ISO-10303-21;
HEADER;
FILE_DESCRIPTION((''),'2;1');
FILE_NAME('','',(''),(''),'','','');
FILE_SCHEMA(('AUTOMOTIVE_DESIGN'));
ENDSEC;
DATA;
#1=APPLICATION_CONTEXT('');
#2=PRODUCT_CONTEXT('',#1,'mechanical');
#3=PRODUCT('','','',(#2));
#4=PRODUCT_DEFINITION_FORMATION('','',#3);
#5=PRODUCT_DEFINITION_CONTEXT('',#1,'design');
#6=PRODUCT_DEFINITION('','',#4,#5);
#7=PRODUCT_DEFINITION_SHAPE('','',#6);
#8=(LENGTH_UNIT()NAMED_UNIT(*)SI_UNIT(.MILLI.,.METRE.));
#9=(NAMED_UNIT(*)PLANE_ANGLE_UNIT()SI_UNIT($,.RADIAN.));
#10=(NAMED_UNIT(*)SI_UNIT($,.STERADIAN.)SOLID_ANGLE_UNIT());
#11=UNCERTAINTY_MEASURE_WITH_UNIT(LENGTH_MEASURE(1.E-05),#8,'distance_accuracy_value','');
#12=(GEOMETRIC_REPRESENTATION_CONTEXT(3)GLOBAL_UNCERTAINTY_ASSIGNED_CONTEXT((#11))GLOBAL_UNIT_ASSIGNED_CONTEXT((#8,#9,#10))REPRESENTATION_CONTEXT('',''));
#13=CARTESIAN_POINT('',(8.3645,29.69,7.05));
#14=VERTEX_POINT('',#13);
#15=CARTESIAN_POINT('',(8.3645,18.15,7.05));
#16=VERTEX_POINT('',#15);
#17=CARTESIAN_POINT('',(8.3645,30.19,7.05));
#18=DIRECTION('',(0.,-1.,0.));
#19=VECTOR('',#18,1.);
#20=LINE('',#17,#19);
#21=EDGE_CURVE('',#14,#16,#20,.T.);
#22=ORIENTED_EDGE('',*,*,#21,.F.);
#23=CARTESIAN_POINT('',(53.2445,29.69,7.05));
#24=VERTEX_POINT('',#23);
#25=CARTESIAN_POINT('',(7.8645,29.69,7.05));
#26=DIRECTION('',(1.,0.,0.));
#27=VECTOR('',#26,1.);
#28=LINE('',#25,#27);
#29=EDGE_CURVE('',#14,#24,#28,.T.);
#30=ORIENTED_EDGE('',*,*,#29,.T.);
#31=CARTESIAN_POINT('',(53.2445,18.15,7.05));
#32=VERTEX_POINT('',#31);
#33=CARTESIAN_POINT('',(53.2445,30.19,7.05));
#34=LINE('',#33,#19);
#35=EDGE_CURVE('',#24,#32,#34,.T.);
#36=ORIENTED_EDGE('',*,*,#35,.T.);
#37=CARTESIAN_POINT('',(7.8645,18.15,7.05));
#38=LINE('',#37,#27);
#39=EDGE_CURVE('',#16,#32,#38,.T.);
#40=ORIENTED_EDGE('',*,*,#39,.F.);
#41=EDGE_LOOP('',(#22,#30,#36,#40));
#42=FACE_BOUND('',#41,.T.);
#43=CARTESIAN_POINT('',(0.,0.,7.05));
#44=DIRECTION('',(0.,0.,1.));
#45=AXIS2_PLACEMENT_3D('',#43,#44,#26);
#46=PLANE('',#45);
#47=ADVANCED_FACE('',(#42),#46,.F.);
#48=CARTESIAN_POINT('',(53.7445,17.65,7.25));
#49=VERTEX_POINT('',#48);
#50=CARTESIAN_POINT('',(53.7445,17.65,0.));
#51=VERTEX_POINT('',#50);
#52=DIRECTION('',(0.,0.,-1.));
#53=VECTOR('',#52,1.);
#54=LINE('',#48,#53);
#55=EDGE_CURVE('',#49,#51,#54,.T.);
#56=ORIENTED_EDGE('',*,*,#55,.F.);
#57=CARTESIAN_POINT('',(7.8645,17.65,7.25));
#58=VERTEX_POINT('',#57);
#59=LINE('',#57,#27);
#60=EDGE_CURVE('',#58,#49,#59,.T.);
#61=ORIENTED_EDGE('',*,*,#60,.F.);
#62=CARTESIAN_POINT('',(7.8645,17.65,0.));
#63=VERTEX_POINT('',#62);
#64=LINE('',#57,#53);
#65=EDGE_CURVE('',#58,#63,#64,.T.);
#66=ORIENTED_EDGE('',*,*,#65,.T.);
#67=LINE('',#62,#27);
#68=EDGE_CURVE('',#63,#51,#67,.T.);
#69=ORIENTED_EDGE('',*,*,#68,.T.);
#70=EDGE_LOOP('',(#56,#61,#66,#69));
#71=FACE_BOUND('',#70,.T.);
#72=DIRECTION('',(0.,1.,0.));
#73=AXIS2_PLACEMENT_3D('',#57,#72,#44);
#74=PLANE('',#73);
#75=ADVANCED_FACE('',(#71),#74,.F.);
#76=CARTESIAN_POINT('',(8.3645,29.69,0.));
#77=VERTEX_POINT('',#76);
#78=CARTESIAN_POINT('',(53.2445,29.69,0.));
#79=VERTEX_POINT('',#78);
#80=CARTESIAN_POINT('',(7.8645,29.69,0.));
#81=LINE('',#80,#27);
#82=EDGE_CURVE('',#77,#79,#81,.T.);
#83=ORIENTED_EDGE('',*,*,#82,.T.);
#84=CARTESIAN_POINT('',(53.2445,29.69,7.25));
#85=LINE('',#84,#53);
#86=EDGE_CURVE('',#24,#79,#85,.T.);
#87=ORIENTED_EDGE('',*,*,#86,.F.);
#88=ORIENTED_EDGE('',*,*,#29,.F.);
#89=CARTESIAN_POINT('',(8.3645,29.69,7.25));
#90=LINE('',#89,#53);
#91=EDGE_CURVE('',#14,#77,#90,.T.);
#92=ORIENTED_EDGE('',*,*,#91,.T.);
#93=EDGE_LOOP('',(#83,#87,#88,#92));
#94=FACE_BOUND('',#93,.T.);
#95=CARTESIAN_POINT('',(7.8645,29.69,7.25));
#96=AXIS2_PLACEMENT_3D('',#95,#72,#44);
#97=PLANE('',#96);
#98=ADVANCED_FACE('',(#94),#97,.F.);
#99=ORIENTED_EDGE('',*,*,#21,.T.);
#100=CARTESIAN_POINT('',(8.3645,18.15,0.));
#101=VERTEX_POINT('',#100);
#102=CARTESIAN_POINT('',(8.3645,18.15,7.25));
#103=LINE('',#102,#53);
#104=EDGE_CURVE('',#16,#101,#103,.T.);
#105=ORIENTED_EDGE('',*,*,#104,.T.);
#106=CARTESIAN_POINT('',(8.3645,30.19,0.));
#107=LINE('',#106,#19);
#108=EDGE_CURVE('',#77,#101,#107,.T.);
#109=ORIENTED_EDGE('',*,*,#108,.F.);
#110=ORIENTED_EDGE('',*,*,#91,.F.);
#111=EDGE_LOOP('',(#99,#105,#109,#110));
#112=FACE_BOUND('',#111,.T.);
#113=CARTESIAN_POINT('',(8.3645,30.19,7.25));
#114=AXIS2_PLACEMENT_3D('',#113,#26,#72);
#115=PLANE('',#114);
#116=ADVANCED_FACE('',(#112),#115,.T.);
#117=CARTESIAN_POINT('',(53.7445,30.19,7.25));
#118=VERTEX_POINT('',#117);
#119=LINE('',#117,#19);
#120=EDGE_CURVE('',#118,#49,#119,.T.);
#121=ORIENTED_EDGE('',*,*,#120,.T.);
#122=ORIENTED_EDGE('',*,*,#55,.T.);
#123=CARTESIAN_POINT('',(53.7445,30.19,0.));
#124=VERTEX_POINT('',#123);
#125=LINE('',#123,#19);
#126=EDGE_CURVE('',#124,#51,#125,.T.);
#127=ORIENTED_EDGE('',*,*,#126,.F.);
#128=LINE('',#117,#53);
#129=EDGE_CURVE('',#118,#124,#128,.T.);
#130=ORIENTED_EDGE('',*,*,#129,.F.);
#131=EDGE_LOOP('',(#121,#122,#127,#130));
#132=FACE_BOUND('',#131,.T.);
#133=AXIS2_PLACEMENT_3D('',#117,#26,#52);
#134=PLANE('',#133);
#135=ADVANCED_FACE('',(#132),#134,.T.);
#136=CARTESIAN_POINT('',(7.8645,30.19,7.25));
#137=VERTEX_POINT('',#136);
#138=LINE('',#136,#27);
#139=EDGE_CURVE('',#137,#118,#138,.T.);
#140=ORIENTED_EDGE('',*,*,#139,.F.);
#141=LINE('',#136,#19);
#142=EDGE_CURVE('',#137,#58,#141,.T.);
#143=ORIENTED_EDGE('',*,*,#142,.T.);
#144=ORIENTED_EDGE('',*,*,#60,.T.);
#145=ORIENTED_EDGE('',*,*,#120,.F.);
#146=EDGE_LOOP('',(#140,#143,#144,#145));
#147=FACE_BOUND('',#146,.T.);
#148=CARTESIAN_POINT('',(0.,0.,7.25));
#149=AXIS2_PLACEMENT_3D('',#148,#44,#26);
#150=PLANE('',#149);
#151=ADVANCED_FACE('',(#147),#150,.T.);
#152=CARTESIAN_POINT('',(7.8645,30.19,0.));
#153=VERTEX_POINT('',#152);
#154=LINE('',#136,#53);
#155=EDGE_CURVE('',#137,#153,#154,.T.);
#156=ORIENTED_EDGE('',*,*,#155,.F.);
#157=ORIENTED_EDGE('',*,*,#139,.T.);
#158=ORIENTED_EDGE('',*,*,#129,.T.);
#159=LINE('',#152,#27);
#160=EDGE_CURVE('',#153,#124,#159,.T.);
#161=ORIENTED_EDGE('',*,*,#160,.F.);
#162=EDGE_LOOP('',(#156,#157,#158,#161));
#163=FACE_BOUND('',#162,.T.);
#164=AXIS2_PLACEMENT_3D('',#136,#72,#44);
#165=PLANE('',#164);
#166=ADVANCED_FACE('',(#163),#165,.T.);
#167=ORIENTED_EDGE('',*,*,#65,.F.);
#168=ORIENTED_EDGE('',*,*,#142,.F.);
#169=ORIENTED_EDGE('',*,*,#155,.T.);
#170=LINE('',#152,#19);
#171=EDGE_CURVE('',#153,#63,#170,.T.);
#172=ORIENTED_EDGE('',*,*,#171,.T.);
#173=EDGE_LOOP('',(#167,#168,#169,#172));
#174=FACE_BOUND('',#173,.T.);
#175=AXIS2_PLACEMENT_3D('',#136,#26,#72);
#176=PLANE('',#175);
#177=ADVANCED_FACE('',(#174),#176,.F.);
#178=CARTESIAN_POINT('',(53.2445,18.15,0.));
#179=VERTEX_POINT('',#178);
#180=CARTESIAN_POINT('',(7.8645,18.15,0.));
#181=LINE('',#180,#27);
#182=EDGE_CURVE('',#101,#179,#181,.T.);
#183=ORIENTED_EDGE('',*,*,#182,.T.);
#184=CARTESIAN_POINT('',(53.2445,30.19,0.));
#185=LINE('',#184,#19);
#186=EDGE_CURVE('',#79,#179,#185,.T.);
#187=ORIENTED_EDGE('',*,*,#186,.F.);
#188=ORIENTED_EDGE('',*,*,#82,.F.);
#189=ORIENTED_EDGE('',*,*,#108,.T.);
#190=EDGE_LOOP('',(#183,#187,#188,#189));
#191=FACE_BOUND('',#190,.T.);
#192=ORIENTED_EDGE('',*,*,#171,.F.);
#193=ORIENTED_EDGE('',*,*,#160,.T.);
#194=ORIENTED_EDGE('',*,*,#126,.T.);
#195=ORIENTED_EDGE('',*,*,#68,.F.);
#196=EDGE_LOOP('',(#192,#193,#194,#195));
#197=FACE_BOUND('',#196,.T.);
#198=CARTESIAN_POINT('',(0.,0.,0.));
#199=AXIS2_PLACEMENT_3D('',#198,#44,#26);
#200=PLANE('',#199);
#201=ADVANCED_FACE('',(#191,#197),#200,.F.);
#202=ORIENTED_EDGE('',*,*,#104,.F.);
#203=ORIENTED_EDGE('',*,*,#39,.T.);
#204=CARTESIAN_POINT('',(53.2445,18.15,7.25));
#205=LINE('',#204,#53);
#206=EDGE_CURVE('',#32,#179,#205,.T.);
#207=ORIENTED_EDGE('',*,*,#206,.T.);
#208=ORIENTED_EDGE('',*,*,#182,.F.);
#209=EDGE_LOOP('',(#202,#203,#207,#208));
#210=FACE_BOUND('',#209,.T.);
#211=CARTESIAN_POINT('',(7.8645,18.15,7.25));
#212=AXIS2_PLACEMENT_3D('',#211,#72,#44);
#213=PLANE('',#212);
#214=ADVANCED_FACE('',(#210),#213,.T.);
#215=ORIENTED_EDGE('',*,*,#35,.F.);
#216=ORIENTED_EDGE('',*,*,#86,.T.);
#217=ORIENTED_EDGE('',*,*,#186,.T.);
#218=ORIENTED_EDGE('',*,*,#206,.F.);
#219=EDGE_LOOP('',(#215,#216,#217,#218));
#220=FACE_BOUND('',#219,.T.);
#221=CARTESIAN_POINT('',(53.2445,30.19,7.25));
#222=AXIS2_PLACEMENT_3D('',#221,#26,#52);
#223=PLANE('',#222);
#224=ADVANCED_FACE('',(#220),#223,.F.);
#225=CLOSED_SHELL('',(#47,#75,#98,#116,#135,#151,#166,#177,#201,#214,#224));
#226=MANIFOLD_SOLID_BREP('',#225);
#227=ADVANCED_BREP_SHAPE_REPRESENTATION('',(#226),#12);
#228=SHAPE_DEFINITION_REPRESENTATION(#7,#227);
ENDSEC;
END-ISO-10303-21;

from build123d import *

# Parameters (mm, degrees)
SKETCH1_W                 = 45.88
SKETCH1_H                 = 12.54
BOSS_EXTRUDE1_DEPTH       = 7.25
SHELL1_T                  = -0.5
SHELL1_THICKNESS_2_FACE_W = 44.88
SHELL1_THICKNESS_2_FACE_H = 11.54
SHELL1_THICKNESS_2_DEPTH  = 0.3


with BuildPart() as part:
    # Sketch1 → Boss-Extrude1 (new body)
    with BuildSketch(Plane.XY):
        with Locations((30.8045, 23.92)):
            Rectangle(SKETCH1_W, SKETCH1_H)
    extrude(amount=BOSS_EXTRUDE1_DEPTH)

    # Shell1
    shell1_openings = [part.faces().sort_by_distance(p)[0] for p in [
        (30.8045, 23.92, 0),
    ]]
    offset(amount=SHELL1_T, openings=shell1_openings, kind=Kind.INTERSECTION)

    # Shell1 thickness 2 face (on inner face of the shell) → Shell1 thickness 2 (cut)
    with BuildSketch(Plane(origin=(30.8045, 23.92, 6.75), x_dir=(1, 0, 0), z_dir=(0, 0, 1))):
        Rectangle(SHELL1_THICKNESS_2_FACE_W, SHELL1_THICKNESS_2_FACE_H)
    extrude(amount=SHELL1_THICKNESS_2_DEPTH, mode=Mode.SUBTRACT)


solid = part.part
